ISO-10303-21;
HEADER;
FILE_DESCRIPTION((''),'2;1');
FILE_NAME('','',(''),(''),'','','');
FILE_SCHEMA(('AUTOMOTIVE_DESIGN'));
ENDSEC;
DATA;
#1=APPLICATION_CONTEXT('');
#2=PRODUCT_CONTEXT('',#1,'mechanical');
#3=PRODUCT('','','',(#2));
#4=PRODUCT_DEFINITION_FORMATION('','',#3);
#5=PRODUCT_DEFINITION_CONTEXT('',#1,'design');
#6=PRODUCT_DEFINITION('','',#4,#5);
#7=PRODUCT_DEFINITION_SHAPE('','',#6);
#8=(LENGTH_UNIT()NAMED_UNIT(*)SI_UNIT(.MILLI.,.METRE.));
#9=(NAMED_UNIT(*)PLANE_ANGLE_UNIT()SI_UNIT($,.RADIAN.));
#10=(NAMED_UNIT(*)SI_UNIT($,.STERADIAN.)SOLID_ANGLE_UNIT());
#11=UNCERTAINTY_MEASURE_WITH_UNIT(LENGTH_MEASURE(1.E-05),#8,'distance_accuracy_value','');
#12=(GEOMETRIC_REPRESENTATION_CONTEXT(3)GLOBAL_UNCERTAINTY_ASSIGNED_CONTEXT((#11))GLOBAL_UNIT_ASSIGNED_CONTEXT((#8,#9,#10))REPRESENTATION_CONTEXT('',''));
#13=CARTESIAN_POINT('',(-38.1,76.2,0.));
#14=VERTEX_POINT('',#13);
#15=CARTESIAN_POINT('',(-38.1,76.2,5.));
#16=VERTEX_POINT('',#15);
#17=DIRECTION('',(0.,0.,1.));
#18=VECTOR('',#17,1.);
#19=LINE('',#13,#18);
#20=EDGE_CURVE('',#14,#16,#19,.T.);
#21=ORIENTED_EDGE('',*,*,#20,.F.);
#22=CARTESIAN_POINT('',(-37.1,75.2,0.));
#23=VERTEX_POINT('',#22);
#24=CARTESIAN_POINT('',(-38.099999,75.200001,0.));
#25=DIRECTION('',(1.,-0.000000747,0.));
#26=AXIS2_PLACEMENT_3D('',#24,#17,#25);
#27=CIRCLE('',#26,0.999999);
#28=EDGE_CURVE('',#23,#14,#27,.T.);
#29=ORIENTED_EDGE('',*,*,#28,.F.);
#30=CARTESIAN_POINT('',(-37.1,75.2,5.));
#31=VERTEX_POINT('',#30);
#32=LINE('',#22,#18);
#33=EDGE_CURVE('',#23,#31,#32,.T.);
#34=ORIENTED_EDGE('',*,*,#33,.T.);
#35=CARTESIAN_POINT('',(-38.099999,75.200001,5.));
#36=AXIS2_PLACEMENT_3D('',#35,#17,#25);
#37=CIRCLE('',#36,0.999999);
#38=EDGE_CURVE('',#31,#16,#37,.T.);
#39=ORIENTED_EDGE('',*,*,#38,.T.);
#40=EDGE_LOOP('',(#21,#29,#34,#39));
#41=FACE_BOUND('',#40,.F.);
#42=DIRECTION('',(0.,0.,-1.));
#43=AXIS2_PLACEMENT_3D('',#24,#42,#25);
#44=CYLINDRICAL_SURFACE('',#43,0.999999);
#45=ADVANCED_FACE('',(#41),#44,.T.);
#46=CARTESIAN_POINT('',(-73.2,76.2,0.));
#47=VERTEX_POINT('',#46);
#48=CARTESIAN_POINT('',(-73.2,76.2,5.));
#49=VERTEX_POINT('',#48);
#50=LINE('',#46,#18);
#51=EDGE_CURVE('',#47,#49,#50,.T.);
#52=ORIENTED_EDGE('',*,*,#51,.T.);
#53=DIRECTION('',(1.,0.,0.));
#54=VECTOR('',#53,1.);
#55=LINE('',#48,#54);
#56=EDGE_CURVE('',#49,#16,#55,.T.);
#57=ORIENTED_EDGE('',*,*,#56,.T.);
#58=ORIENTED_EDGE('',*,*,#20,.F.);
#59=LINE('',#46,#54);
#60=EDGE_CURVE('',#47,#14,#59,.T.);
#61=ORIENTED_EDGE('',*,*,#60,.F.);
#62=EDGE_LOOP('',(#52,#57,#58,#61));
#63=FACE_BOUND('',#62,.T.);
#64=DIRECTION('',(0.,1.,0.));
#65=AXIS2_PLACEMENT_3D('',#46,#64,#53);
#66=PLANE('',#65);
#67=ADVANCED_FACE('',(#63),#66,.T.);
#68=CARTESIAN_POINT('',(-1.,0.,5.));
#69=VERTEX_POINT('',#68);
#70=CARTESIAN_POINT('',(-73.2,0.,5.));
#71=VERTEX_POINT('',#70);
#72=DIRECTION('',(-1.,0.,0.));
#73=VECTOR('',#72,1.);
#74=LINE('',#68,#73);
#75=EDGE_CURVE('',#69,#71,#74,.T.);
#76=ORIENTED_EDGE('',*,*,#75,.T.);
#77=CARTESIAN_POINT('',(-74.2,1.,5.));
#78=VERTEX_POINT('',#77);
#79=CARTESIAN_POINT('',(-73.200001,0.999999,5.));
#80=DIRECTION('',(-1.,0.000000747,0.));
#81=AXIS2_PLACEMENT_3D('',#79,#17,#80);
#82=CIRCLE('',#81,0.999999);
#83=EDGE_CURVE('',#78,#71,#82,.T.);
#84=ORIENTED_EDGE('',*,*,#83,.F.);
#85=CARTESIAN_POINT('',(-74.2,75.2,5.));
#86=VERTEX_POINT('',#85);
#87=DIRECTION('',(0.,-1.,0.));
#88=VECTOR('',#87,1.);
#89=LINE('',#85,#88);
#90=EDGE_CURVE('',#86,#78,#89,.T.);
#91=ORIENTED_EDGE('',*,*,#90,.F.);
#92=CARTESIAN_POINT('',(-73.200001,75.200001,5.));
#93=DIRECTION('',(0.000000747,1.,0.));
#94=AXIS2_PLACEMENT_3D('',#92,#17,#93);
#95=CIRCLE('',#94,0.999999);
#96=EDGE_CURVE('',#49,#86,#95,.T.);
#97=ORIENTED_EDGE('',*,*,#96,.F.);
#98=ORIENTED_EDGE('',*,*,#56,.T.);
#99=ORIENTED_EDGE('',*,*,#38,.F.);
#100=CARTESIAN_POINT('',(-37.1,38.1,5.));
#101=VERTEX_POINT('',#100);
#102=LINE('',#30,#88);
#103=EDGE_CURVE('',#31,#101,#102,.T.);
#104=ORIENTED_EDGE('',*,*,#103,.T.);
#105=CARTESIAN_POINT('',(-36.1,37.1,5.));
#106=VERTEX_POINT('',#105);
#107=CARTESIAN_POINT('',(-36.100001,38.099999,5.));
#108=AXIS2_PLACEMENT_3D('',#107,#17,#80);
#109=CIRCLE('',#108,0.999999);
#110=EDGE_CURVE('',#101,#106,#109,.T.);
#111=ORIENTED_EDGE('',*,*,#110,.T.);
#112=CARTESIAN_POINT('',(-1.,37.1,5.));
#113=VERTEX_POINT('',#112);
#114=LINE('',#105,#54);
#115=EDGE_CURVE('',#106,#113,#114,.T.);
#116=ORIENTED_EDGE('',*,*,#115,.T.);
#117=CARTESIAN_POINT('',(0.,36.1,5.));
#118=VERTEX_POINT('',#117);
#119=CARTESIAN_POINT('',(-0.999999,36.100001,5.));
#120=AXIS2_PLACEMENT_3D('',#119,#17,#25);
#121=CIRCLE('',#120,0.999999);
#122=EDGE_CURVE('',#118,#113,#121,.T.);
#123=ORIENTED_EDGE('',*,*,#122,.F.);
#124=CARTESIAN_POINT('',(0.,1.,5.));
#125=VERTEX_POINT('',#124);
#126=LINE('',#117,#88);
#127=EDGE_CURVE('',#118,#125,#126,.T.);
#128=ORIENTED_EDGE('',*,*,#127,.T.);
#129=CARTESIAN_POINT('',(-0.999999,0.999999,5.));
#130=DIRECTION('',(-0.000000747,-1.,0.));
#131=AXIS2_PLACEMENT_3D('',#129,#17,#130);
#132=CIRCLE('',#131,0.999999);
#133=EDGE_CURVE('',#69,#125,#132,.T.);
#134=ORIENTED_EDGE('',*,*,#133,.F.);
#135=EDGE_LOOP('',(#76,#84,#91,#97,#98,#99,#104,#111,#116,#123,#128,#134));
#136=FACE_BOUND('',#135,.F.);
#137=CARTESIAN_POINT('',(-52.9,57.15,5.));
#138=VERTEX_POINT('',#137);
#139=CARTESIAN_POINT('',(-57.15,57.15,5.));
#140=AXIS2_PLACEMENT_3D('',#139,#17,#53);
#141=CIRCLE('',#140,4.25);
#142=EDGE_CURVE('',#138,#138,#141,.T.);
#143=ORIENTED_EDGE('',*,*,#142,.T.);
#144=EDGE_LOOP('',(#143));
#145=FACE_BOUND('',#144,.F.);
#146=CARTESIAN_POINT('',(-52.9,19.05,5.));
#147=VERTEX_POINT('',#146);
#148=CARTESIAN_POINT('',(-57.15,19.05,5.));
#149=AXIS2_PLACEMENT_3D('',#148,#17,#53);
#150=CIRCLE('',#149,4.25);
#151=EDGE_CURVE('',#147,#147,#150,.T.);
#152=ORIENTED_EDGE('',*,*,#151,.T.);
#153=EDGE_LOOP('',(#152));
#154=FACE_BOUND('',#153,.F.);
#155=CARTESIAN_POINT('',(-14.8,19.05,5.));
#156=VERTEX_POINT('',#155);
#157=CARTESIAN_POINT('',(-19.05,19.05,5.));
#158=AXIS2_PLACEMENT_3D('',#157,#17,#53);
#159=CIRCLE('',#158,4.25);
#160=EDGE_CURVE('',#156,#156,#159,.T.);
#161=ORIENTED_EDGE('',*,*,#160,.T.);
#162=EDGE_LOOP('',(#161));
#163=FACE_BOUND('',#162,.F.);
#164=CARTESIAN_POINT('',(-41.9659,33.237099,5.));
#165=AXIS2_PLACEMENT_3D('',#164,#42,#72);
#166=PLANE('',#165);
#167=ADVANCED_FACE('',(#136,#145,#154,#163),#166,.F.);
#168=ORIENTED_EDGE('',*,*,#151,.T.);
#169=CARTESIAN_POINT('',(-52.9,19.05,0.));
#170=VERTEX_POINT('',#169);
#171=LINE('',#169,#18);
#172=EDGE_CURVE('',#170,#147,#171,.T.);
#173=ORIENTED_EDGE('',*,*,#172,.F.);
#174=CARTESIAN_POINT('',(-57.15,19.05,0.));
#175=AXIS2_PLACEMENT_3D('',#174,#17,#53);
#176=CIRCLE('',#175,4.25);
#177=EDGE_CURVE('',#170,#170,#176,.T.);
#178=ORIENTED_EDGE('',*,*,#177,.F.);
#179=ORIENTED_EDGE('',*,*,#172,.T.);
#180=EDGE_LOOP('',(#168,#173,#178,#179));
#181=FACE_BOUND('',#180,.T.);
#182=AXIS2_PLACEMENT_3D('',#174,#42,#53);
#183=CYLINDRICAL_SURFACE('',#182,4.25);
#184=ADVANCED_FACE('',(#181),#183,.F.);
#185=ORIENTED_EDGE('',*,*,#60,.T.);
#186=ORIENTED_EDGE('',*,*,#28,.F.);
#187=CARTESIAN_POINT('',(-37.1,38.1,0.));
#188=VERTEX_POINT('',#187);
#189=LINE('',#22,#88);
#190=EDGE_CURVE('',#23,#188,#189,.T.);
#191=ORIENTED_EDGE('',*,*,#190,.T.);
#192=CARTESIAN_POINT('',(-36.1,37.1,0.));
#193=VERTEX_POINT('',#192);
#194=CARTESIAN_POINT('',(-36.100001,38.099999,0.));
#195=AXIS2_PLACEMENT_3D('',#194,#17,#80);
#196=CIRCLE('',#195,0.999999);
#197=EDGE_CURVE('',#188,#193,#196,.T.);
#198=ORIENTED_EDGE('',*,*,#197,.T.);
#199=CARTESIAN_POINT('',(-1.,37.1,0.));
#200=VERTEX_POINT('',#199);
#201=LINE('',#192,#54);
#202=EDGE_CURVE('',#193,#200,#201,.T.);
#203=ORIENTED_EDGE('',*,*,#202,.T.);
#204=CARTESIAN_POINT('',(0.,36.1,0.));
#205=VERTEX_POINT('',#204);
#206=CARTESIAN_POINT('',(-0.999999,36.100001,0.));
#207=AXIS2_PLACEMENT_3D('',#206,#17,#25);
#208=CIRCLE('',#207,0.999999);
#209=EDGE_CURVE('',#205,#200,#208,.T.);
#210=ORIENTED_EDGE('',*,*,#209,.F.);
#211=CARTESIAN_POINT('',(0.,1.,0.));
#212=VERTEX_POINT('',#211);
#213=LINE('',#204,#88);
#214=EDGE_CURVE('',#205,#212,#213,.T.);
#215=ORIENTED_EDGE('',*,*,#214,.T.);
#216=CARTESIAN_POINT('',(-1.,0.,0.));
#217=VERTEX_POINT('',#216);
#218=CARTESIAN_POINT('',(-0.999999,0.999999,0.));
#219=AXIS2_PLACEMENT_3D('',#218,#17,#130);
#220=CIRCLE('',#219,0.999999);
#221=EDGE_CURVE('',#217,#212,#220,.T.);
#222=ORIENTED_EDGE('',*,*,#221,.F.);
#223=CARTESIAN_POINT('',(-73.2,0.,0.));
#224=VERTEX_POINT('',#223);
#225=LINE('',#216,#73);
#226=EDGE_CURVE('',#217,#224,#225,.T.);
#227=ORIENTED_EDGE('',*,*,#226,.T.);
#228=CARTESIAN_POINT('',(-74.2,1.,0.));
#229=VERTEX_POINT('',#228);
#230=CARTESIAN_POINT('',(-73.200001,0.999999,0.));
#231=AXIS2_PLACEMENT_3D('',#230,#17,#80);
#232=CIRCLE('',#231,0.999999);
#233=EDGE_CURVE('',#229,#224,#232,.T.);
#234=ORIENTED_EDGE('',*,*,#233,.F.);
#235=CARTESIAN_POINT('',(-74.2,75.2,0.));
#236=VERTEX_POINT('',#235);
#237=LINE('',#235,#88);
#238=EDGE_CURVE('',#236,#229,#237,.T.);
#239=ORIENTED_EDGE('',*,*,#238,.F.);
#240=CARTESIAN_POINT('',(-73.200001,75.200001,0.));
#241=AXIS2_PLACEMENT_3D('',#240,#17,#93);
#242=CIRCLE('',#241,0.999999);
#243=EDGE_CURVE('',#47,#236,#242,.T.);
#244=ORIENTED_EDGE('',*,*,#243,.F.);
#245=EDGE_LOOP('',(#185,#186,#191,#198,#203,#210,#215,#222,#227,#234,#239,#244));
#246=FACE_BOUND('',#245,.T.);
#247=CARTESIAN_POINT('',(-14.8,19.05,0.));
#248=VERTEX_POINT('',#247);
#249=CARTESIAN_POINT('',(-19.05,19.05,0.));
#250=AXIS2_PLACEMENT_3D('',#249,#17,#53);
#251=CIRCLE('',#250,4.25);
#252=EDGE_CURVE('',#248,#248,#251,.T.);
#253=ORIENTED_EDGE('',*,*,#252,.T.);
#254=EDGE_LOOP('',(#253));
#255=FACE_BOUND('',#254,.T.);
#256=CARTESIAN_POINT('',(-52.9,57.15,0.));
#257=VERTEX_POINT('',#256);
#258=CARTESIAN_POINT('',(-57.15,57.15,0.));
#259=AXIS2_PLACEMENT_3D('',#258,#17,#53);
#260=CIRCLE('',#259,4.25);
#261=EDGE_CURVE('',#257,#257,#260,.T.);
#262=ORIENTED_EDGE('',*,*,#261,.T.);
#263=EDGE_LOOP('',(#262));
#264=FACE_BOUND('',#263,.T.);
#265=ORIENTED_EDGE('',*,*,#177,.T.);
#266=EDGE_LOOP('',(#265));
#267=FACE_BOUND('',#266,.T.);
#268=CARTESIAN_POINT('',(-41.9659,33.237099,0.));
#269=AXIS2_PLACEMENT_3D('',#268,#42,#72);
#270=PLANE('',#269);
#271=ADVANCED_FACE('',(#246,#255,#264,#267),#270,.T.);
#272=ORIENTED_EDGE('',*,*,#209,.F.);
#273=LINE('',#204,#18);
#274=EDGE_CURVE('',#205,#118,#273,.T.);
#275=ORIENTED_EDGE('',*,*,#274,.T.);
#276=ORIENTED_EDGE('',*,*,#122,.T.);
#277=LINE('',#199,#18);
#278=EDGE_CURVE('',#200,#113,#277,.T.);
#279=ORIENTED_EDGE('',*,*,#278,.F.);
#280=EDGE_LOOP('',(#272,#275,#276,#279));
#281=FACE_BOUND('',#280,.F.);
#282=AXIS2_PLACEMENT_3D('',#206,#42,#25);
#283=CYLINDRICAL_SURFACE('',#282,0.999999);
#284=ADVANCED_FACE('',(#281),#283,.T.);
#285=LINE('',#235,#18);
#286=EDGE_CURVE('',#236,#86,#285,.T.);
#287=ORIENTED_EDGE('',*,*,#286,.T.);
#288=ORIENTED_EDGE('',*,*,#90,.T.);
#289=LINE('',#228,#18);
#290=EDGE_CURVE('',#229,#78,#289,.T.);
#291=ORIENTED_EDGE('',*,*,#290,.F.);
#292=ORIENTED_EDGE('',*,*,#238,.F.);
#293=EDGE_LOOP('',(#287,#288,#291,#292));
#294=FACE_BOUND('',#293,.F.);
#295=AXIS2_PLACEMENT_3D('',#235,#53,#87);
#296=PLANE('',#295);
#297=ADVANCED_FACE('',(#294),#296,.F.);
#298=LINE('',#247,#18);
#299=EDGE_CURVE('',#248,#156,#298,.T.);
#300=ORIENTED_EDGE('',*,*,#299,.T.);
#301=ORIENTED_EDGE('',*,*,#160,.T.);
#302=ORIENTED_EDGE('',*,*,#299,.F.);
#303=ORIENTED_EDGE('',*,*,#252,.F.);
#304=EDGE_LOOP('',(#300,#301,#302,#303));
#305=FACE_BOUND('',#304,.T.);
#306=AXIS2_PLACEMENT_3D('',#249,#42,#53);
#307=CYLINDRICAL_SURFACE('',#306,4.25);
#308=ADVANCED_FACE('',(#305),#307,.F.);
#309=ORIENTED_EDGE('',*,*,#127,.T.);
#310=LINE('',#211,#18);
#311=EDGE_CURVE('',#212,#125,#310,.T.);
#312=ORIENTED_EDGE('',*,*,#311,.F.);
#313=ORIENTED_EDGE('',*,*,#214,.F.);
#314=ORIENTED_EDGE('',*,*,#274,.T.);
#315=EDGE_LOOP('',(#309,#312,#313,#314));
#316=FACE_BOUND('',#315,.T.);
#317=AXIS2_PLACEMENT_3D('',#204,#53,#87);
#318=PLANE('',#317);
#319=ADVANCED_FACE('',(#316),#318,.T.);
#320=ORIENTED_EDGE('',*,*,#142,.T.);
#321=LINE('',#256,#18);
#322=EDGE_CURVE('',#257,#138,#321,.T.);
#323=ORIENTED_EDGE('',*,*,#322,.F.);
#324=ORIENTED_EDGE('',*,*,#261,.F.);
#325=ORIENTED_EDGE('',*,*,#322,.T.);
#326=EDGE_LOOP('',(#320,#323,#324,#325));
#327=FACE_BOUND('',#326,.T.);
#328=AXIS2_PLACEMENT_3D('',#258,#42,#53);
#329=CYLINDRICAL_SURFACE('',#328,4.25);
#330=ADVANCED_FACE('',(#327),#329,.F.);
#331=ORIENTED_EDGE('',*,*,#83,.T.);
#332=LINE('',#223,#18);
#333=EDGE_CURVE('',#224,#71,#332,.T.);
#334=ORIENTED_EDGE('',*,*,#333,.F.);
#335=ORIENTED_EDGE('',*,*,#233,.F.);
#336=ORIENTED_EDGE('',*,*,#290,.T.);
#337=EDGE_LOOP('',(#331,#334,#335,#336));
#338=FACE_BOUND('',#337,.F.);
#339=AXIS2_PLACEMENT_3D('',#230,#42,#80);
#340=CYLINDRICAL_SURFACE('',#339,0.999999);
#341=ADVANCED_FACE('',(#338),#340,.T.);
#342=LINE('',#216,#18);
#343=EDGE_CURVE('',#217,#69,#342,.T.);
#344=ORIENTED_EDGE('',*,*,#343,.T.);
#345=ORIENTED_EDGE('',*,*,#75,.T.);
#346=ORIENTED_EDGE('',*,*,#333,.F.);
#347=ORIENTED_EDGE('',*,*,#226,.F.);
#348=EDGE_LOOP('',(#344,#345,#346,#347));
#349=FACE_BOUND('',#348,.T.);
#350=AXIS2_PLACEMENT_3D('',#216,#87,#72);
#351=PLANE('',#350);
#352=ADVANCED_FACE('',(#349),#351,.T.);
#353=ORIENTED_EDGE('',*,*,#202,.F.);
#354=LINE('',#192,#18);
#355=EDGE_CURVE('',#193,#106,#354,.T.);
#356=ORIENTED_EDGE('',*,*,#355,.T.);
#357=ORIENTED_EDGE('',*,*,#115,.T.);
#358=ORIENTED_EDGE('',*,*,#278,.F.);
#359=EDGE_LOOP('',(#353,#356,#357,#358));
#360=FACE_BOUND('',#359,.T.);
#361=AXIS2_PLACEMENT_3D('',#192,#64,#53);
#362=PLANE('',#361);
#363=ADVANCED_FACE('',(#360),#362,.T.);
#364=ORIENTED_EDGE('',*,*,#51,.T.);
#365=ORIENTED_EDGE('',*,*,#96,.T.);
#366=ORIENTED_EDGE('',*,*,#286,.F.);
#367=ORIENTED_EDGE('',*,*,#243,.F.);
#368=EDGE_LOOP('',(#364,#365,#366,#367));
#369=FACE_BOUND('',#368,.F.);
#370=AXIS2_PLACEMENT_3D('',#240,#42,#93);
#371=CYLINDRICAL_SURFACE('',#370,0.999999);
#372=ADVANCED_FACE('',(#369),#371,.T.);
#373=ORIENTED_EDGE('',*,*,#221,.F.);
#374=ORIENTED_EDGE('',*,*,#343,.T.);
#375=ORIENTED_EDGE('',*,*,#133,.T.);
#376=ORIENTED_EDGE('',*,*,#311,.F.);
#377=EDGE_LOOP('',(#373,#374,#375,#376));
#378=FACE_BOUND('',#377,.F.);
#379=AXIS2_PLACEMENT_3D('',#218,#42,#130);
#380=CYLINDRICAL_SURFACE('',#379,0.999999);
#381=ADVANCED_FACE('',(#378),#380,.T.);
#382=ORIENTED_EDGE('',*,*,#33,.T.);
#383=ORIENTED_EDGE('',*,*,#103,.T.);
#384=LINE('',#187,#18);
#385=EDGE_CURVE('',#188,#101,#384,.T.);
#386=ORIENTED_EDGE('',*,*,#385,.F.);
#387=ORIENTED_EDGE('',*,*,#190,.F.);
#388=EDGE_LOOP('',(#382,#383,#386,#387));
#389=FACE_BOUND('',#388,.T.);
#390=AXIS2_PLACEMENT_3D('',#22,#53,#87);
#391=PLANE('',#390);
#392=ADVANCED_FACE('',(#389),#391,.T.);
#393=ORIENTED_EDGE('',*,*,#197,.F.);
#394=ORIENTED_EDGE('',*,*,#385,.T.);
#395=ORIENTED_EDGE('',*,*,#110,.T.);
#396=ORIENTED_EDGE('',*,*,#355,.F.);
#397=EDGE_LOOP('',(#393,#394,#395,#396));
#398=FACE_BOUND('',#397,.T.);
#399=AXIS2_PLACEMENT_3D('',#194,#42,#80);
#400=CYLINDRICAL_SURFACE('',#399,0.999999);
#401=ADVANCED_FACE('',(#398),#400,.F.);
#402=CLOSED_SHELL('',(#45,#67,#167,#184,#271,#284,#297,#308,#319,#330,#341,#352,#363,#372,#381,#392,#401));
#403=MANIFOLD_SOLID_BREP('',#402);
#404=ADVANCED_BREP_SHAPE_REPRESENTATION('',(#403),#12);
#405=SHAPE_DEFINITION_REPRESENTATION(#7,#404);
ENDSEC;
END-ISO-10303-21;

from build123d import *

# Parameters (mm, degrees)
SKETCH_R  = 4.25
PAD_DEPTH = 5


with BuildPart() as part:
    # Sketch → Pad (new body)
    with BuildSketch(Plane.XY):
        with BuildLine():
            Line((-73.2, 76.2), (-38.1, 76.2))
            ThreePointArc((-37.1, 75.2), (-37.392893, 75.907107), (-38.1, 76.2))
            Line((-37.1, 75.2), (-37.1, 38.1))
            ThreePointArc((-37.1, 38.1), (-36.807107, 37.392893), (-36.1, 37.1))
            Line((-36.1, 37.1), (-1, 37.1))
            ThreePointArc((0, 36.1), (-0.292893, 36.807107), (-1, 37.1))
            Line((0, 36.1), (0, 1))
            ThreePointArc((-1, 0), (-0.292893, 0.292893), (0, 1))
            Line((-1, 0), (-73.2, 0))
            ThreePointArc((-74.2, 1), (-73.907107, 0.292893), (-73.2, 0))
            Line((-74.2, 75.2), (-74.2, 1))
            ThreePointArc((-73.2, 76.2), (-73.907107, 75.907107), (-74.2, 75.2))
        make_face()
        with Locations((-19.05, 19.05)):
            Circle(SKETCH_R, mode=Mode.SUBTRACT)
        with Locations((-57.15, 19.05)):
            Circle(SKETCH_R, mode=Mode.SUBTRACT)
        with Locations((-57.15, 57.15)):
            Circle(SKETCH_R, mode=Mode.SUBTRACT)
    extrude(amount=PAD_DEPTH)


solid = part.part
